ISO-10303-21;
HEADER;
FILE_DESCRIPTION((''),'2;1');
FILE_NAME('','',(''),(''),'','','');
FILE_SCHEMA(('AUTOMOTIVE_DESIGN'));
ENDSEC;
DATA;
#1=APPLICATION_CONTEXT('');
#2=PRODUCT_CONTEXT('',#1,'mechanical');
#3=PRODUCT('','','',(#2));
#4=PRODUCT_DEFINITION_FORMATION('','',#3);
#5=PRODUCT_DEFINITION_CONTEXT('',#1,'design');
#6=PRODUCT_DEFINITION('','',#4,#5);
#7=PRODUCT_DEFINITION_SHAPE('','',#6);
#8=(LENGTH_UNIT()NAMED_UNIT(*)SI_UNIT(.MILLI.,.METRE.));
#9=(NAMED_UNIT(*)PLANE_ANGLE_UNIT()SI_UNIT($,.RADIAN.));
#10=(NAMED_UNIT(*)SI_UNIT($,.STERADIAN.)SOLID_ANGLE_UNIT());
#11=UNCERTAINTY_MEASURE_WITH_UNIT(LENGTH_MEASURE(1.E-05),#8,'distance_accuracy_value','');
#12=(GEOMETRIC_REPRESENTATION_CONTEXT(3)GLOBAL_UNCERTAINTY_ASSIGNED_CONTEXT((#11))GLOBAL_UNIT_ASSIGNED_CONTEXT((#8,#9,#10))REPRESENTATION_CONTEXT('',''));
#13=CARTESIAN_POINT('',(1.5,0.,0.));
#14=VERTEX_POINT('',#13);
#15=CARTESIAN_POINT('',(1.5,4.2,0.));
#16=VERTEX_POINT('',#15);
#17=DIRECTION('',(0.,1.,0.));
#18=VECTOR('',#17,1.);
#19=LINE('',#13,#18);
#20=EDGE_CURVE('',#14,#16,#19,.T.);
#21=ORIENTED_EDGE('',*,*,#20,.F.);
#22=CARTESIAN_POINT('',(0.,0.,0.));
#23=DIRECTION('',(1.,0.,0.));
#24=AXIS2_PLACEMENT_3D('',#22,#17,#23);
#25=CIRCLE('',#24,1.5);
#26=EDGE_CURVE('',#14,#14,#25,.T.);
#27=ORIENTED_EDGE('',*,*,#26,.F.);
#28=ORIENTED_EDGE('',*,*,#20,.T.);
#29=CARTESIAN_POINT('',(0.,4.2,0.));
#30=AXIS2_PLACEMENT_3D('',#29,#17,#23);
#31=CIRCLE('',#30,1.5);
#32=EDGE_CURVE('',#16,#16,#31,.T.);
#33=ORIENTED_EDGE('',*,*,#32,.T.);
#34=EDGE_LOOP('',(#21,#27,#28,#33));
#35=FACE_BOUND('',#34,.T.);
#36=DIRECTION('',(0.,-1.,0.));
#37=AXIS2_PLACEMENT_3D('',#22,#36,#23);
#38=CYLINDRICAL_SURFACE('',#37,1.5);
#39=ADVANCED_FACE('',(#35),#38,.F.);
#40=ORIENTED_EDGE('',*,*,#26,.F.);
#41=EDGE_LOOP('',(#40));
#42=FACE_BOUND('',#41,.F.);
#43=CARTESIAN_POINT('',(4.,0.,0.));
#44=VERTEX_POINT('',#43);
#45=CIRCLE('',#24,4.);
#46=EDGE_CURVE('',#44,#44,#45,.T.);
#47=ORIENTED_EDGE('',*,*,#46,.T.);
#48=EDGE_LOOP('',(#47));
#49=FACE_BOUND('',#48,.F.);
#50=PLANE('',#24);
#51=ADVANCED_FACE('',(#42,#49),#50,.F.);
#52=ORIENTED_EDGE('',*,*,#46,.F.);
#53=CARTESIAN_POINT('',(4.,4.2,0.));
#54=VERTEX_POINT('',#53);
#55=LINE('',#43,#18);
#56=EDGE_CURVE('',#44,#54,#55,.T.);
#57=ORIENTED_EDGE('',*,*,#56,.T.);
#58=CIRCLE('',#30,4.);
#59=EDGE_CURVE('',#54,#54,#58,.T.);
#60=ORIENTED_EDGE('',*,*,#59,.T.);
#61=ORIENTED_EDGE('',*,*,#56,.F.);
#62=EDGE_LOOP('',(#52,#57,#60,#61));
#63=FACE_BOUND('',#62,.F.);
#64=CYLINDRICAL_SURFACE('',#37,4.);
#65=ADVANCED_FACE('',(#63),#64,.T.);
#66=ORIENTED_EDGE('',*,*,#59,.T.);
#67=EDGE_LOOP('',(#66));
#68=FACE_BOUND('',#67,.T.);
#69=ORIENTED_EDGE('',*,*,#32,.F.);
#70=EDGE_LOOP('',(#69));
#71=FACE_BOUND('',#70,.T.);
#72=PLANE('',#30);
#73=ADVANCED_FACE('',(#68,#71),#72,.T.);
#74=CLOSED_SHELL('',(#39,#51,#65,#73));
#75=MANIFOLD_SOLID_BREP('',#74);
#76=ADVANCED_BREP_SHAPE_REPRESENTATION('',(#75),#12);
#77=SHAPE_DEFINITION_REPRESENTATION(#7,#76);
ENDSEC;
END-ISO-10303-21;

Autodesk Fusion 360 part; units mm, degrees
sketch "Sketch1" plane through (0, 0, 0) normal (0, 1, 0) x (1, 0, 0)
  circle A0 centre (0, 0) radius 1.5
  circle A1 centre (0, 0) radius 4
  dimension "d1" = 3
  dimension "d2" = 8
extrude "Extrude1" add sketch "Sketch1" along normal blind 4.2
